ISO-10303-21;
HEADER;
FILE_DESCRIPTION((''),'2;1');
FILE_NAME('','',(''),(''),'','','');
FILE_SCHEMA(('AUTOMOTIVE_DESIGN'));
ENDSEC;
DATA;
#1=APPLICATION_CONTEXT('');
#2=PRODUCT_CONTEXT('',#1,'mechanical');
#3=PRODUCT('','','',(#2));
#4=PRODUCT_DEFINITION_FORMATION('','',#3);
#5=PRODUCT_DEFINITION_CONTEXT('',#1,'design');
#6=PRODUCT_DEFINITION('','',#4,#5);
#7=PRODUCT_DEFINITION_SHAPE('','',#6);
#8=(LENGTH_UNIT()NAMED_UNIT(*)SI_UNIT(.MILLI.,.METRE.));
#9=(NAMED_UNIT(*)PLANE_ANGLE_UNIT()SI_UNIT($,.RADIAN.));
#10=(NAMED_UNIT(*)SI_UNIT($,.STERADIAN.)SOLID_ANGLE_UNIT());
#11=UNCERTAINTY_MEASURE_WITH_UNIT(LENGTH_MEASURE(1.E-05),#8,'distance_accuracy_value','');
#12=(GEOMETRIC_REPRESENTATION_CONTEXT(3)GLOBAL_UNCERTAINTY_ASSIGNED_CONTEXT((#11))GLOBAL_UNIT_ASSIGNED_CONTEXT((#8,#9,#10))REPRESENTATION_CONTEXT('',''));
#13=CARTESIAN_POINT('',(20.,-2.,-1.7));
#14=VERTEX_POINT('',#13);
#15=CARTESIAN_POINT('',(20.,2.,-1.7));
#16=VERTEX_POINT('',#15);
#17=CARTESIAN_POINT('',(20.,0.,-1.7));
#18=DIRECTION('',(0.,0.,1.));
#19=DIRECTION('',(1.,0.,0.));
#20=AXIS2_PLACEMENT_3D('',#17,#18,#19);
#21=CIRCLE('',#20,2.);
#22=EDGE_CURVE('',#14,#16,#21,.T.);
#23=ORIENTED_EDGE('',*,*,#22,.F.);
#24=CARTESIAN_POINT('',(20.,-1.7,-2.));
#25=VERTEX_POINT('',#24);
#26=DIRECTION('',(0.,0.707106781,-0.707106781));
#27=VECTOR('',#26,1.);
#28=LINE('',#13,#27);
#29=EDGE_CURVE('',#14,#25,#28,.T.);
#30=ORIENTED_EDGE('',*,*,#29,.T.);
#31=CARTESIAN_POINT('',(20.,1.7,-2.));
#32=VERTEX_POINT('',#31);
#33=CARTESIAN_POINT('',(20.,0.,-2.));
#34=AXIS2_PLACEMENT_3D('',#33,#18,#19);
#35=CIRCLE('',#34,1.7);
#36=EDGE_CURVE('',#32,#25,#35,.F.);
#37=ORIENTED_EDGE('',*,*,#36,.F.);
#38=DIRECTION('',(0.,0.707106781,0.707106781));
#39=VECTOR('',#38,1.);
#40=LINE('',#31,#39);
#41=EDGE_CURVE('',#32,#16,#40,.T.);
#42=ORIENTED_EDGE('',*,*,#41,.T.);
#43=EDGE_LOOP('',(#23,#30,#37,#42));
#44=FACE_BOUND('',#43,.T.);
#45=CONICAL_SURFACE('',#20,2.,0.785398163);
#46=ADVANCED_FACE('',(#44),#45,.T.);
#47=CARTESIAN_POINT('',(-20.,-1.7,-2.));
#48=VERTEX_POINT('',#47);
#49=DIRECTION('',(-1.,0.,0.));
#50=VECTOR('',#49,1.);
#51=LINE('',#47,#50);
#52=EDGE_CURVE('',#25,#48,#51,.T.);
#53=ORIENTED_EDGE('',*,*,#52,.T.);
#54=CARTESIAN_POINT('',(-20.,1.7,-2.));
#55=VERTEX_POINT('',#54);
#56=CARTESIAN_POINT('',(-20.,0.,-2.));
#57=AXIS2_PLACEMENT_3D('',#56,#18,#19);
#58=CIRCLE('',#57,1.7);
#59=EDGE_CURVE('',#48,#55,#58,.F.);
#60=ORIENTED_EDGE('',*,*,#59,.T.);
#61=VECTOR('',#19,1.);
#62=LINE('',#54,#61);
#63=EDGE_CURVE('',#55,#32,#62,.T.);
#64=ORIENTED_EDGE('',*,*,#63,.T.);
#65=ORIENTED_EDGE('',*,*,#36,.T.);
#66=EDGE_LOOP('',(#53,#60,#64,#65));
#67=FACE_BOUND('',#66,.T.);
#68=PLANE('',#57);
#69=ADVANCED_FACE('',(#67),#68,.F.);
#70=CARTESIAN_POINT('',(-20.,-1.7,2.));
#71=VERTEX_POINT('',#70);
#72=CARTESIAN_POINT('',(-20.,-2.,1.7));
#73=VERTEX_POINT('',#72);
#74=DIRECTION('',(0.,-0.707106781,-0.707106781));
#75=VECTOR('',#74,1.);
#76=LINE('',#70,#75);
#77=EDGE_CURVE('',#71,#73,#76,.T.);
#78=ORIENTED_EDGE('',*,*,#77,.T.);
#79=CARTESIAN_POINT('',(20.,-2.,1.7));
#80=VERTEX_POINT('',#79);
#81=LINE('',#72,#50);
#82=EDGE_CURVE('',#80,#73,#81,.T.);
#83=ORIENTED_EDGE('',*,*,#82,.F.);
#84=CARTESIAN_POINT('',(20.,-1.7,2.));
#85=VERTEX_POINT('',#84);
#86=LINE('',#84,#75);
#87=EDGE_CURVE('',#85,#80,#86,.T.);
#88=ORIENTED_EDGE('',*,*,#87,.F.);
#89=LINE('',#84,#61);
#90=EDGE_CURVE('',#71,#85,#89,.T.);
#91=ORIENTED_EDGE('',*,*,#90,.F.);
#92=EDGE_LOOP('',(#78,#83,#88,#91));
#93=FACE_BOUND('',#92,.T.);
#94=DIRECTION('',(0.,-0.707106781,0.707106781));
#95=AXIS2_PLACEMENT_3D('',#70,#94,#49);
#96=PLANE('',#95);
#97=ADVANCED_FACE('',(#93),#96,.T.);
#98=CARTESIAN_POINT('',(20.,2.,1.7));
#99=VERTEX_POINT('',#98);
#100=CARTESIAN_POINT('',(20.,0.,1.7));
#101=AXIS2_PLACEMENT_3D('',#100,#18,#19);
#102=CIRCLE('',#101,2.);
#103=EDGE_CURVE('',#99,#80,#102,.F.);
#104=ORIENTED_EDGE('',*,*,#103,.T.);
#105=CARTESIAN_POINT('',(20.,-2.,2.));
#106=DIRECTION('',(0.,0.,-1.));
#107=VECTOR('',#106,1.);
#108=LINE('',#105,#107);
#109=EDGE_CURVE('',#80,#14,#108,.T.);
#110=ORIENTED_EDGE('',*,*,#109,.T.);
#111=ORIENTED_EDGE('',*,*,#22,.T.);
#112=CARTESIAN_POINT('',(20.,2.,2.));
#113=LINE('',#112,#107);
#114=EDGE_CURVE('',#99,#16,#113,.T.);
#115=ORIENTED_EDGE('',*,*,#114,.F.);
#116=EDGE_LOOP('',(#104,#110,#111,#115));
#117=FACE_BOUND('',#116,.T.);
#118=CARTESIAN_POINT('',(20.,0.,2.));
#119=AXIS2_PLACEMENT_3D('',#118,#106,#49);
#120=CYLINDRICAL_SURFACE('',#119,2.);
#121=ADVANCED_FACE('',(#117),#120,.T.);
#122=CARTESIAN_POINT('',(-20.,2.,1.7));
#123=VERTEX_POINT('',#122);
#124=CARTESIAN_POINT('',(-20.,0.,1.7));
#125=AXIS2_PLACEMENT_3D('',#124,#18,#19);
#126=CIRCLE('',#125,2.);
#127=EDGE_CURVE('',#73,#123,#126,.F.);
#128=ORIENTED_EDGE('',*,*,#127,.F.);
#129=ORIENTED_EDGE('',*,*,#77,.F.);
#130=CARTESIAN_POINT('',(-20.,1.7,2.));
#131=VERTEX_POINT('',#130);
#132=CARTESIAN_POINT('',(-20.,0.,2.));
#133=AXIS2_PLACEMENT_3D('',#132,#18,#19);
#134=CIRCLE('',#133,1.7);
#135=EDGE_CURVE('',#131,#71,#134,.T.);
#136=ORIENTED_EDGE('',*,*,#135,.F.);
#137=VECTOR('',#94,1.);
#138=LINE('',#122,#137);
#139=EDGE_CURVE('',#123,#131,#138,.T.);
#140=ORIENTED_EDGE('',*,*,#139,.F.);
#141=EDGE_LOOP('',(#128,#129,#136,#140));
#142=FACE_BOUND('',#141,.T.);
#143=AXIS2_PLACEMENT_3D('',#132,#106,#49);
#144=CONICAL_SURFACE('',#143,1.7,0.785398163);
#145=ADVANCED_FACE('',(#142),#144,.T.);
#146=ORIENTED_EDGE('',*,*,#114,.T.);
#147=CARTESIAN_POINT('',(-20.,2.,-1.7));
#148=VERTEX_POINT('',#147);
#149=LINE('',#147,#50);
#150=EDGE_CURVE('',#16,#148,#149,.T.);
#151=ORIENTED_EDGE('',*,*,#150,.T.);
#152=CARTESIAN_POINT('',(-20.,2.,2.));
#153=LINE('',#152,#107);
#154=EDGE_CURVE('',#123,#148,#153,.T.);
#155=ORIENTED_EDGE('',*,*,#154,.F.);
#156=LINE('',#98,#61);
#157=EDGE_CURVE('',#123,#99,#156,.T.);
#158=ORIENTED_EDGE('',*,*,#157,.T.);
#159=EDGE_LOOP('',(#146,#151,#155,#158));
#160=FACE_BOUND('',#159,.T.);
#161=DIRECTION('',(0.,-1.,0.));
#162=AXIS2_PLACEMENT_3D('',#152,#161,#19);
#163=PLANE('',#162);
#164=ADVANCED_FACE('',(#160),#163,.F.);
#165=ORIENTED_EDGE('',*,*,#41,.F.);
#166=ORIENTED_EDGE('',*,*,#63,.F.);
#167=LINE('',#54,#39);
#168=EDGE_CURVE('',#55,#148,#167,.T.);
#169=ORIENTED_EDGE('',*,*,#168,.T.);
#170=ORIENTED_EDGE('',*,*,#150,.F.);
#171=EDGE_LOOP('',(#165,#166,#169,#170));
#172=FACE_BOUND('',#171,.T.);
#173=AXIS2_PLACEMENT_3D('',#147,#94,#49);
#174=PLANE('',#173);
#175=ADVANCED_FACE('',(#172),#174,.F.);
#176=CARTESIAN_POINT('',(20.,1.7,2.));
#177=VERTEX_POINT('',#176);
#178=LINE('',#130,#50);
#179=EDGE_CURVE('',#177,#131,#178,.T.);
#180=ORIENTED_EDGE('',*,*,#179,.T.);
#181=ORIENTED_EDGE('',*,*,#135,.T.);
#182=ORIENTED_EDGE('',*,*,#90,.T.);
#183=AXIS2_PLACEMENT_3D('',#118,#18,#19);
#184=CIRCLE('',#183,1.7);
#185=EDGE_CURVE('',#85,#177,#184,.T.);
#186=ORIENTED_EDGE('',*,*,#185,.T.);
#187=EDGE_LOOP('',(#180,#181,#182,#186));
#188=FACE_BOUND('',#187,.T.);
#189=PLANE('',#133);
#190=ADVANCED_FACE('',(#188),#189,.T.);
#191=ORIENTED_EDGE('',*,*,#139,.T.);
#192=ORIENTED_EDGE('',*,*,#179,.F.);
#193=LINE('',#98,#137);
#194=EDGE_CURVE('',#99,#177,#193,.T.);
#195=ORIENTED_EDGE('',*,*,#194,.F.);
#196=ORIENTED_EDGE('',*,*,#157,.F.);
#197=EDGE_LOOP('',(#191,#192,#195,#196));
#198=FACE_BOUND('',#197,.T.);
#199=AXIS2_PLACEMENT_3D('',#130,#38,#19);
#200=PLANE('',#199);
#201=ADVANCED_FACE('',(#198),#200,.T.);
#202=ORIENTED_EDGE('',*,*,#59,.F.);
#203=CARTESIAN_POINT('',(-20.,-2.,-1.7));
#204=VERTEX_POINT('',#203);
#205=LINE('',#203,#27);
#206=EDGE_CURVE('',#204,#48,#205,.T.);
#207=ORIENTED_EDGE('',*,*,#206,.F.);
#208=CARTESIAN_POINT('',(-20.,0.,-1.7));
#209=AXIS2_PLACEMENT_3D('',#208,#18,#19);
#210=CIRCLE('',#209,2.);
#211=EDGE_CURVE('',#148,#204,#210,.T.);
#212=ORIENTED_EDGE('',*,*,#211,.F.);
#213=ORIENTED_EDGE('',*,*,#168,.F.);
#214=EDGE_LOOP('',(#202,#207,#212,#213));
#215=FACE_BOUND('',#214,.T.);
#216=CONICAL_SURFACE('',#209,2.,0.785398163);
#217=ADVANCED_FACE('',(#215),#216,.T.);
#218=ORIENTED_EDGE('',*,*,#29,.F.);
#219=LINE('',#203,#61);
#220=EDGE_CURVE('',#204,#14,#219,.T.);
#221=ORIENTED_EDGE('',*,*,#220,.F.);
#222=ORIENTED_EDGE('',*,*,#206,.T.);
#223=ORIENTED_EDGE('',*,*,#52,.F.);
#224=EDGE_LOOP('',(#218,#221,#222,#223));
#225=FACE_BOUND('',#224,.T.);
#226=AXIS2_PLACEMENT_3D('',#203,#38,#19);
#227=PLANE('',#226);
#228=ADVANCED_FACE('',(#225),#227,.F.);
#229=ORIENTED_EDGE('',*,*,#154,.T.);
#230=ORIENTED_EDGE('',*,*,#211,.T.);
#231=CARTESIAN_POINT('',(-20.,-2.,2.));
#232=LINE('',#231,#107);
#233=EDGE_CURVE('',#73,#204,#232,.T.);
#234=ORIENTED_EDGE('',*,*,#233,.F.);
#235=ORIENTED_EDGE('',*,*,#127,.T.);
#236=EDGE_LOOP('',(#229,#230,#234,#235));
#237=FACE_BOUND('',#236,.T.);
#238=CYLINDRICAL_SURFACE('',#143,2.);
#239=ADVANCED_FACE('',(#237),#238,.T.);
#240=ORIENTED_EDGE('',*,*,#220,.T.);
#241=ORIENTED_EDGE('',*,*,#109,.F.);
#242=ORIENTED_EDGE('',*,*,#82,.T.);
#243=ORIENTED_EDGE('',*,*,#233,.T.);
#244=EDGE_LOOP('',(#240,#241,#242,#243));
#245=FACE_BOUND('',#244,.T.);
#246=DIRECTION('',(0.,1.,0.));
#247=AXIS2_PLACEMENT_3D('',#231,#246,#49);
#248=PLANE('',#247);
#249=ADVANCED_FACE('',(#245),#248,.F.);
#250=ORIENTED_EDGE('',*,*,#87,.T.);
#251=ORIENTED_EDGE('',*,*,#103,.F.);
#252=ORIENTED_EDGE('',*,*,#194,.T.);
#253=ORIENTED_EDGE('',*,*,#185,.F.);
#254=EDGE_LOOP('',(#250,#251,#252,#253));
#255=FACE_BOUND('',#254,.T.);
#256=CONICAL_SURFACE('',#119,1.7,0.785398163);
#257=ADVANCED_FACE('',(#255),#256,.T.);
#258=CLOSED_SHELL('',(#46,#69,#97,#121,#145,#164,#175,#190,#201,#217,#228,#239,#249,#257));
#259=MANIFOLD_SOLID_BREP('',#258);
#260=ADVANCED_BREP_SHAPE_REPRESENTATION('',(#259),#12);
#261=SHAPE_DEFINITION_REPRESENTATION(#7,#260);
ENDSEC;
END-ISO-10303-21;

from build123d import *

# Parameters (mm, degrees)
EXTRUDE_1_DEPTH = 2
CHAMFER_1_SIZE  = 0.3


with BuildPart() as part:
    # 草图1 → 凸台-拉伸1 (new, symmetric)
    with BuildSketch(Plane.XY):
        with BuildLine():
            Line((-20, 2), (20, 2))
            ThreePointArc((20, 2), (22, 0), (20, -2))
            Line((20, -2), (-20, -2))
            ThreePointArc((-20, -2), (-22, 0), (-20, 2))
        make_face()
    extrude(amount=EXTRUDE_1_DEPTH, both=True)

    # 倒角1
    chamfer_1_edges = [part.edges().sort_by_distance(p)[0] for p in [
        (22, 0, 2),
        (0, 2, 2),
        (-22, 0, 2),
        (0, 2, -2),
        (22, 0, -2),
        (0, -2, -2),
        (-22, 0, -2),
        (0, -2, 2),
    ]]
    chamfer(chamfer_1_edges, length=CHAMFER_1_SIZE)


solid = part.part
